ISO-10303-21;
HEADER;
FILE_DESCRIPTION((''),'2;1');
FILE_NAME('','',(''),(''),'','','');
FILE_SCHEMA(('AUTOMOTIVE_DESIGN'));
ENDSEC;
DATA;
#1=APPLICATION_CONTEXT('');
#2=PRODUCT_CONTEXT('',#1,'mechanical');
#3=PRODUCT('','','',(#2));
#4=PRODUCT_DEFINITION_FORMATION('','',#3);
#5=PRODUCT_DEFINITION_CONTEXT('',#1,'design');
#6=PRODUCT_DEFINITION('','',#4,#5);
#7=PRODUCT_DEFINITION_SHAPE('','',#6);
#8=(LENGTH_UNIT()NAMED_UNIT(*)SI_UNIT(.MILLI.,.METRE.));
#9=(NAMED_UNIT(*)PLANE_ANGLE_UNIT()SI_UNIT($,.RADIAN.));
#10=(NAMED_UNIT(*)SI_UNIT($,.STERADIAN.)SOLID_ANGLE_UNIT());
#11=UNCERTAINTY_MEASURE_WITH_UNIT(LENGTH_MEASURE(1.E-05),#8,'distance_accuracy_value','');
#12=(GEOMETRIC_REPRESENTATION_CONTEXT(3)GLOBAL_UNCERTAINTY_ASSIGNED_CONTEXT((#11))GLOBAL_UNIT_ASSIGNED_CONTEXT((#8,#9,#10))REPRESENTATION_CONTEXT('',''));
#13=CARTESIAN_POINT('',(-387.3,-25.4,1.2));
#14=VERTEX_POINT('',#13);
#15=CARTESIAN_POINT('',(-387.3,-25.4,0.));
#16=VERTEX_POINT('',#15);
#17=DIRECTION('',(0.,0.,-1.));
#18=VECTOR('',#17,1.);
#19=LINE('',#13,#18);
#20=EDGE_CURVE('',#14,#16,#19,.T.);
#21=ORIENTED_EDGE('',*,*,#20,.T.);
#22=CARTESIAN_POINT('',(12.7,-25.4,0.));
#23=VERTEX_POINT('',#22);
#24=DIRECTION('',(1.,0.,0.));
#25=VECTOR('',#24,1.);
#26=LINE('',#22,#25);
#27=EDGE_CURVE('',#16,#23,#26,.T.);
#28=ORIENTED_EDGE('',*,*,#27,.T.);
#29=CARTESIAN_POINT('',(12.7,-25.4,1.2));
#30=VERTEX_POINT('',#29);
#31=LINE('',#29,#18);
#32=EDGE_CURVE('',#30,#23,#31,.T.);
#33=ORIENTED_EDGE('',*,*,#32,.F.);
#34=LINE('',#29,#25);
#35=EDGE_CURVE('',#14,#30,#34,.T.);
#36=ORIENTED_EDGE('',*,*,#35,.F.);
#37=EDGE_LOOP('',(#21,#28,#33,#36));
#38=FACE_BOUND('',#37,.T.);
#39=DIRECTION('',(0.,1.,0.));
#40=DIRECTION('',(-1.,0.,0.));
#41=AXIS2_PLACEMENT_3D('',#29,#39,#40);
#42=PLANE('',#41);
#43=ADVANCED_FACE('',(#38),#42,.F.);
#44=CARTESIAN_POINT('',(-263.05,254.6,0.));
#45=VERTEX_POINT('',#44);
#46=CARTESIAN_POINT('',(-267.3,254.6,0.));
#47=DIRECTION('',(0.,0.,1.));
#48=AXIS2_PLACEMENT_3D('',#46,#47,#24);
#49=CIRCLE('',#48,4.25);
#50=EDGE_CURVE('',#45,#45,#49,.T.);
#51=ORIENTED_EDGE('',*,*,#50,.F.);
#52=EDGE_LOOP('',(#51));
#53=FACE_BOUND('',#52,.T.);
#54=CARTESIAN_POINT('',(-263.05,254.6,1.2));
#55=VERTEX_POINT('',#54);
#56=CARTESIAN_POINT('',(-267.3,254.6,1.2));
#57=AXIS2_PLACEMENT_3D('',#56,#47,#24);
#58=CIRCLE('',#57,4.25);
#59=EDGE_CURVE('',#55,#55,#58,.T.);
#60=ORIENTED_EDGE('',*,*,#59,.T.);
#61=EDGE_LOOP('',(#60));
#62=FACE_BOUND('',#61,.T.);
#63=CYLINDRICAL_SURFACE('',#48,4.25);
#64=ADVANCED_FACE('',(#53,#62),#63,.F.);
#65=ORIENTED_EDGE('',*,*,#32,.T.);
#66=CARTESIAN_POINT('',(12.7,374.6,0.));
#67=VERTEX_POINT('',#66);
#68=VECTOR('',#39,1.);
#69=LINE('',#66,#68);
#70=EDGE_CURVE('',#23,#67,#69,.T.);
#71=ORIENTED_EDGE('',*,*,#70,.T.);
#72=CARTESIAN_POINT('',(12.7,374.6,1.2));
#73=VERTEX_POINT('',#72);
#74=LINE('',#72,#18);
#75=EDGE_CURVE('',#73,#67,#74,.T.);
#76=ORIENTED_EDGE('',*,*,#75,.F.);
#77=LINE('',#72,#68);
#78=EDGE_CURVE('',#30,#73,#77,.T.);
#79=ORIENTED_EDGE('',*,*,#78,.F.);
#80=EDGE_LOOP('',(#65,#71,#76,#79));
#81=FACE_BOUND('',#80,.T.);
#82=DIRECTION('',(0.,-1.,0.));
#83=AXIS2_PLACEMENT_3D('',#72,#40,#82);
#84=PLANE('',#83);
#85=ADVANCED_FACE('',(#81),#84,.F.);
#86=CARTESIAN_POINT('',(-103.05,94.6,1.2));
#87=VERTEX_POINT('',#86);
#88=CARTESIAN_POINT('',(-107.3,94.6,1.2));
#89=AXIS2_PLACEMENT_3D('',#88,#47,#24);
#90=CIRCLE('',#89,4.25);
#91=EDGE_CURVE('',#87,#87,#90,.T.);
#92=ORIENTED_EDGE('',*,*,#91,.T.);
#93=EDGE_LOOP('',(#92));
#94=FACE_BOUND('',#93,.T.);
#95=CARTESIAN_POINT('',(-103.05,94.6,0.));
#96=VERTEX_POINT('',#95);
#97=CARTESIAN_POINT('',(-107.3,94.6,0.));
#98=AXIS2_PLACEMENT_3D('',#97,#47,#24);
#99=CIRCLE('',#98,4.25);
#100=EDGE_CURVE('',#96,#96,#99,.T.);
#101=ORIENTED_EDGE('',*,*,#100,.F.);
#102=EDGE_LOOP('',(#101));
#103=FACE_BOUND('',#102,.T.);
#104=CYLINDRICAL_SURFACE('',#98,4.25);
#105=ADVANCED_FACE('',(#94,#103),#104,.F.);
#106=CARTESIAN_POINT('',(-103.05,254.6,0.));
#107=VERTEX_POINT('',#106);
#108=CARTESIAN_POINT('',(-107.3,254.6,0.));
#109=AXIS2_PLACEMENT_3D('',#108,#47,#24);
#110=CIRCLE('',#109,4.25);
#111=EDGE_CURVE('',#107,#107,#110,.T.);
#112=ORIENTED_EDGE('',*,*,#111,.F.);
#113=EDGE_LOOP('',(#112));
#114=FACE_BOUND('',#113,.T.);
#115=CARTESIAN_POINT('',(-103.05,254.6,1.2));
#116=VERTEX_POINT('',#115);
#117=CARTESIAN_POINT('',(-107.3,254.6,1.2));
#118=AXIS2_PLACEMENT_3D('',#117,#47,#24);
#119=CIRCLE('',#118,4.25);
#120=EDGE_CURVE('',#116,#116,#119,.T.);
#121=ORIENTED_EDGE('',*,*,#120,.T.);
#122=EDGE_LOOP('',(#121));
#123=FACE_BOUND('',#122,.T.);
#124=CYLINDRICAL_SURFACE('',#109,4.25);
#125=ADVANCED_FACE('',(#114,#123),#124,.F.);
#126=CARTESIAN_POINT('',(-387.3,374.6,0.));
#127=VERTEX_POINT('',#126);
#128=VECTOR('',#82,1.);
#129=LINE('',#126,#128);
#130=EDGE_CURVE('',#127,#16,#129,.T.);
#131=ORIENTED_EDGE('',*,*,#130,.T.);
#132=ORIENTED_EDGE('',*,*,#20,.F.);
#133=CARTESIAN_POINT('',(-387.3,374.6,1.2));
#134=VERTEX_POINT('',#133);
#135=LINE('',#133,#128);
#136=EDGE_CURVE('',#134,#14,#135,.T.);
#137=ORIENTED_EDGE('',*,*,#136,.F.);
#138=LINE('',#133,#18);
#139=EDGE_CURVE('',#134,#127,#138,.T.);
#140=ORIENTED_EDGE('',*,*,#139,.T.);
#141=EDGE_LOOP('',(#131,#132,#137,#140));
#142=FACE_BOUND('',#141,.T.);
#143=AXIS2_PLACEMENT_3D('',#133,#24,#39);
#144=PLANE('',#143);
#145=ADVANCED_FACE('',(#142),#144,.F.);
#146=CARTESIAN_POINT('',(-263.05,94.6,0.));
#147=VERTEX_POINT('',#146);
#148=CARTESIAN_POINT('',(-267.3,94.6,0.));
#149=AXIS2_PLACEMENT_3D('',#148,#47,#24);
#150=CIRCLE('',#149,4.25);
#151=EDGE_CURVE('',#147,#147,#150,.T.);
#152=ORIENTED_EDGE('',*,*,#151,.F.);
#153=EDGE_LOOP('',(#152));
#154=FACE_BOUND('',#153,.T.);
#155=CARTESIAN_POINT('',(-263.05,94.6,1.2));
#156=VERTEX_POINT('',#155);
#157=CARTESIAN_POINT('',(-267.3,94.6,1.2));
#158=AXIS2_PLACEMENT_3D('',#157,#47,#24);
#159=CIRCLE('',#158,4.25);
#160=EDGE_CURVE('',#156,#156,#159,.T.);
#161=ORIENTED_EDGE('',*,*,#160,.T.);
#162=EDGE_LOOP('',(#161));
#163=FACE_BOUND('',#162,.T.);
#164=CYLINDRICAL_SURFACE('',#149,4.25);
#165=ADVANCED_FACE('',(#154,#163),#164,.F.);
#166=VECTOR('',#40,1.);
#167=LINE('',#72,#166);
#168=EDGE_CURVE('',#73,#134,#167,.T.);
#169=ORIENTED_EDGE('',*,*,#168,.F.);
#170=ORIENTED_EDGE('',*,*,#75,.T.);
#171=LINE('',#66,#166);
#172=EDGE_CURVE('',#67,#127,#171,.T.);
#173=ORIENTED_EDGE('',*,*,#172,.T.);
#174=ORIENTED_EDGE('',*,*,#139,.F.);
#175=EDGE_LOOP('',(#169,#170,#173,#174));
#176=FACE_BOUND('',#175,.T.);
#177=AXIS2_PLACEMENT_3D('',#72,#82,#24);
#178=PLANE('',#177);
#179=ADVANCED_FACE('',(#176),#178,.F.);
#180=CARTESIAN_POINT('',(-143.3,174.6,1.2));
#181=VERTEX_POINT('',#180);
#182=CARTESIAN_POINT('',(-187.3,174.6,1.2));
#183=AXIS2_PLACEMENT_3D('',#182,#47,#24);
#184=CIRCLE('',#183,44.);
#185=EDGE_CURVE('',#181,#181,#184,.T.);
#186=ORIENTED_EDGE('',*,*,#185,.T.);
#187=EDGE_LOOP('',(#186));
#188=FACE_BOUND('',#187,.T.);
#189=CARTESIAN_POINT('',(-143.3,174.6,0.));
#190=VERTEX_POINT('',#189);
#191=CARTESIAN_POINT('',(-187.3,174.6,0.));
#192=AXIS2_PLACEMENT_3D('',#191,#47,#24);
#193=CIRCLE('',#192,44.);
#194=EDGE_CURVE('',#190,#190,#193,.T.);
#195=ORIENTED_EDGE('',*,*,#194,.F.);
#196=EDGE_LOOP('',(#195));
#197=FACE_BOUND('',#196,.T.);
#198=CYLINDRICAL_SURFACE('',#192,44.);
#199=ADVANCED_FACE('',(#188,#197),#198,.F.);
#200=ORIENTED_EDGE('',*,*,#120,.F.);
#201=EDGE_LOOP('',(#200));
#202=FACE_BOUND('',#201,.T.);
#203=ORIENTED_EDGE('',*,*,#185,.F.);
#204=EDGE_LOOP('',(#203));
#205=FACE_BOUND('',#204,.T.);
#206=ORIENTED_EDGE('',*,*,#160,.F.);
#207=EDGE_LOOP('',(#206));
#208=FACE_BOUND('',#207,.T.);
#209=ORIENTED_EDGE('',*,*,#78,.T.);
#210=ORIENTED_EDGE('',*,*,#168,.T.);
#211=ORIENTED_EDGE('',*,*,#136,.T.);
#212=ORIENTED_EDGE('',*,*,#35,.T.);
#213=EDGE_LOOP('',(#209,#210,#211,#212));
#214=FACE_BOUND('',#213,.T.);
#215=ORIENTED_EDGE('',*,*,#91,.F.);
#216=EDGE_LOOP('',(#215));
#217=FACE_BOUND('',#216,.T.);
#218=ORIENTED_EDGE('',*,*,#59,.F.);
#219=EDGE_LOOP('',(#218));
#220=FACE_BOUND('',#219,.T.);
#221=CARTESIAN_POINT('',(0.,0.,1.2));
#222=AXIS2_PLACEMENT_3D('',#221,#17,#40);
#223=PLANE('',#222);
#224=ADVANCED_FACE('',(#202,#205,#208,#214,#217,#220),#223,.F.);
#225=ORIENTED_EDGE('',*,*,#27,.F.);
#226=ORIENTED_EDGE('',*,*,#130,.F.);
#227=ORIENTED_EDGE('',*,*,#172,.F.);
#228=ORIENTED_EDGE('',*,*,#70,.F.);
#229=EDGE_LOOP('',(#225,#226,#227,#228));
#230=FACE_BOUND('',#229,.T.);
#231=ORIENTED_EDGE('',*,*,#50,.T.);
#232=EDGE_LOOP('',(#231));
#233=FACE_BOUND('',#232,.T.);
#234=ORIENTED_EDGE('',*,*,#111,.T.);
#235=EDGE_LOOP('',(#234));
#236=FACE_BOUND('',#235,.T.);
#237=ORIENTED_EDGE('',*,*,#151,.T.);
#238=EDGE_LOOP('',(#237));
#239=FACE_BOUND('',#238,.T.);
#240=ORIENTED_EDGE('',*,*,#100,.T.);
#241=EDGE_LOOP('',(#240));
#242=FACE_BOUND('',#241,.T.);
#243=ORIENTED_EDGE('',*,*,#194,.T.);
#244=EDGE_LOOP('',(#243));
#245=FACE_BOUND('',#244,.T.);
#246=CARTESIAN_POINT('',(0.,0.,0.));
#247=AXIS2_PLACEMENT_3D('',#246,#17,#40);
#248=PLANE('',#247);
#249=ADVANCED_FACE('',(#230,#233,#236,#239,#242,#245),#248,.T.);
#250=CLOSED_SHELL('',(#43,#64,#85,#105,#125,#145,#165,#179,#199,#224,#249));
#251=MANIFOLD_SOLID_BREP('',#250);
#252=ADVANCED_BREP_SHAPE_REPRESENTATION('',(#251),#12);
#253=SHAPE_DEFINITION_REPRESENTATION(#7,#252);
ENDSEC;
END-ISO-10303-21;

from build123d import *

# Parameters (mm, degrees)
SKETCH1_W           = 400
SKETCH1_H           = 400
BOSS_EXTRUDE1_DEPTH = 1.2
SKETCH2_R           = 44
SKETCH2_R_2         = 4.25
CUT_EXTRUDE1_DEPTH  = 539.820832931


with BuildPart() as part:
    # Sketch1 → Boss-Extrude1 (new body)
    with BuildSketch(Plane.XY):
        with Locations((-187.3, 174.6)):
            Rectangle(SKETCH1_W, SKETCH1_H)
    extrude(amount=BOSS_EXTRUDE1_DEPTH)

    # Sketch2 → Cut-Extrude1 (cut, through all)
    with BuildSketch(Plane.XY.offset(1.2)):
        with Locations((-187.3, 174.6)):
            Circle(SKETCH2_R)
        with Locations((-267.3, 254.6)):
            Circle(SKETCH2_R_2)
        with Locations((-267.3, 94.6)):
            Circle(SKETCH2_R_2)
        with Locations((-107.3, 94.6)):
            Circle(SKETCH2_R_2)
        with Locations((-107.3, 254.6)):
            Circle(SKETCH2_R_2)
    extrude(amount=-CUT_EXTRUDE1_DEPTH, mode=Mode.SUBTRACT)


solid = part.part
